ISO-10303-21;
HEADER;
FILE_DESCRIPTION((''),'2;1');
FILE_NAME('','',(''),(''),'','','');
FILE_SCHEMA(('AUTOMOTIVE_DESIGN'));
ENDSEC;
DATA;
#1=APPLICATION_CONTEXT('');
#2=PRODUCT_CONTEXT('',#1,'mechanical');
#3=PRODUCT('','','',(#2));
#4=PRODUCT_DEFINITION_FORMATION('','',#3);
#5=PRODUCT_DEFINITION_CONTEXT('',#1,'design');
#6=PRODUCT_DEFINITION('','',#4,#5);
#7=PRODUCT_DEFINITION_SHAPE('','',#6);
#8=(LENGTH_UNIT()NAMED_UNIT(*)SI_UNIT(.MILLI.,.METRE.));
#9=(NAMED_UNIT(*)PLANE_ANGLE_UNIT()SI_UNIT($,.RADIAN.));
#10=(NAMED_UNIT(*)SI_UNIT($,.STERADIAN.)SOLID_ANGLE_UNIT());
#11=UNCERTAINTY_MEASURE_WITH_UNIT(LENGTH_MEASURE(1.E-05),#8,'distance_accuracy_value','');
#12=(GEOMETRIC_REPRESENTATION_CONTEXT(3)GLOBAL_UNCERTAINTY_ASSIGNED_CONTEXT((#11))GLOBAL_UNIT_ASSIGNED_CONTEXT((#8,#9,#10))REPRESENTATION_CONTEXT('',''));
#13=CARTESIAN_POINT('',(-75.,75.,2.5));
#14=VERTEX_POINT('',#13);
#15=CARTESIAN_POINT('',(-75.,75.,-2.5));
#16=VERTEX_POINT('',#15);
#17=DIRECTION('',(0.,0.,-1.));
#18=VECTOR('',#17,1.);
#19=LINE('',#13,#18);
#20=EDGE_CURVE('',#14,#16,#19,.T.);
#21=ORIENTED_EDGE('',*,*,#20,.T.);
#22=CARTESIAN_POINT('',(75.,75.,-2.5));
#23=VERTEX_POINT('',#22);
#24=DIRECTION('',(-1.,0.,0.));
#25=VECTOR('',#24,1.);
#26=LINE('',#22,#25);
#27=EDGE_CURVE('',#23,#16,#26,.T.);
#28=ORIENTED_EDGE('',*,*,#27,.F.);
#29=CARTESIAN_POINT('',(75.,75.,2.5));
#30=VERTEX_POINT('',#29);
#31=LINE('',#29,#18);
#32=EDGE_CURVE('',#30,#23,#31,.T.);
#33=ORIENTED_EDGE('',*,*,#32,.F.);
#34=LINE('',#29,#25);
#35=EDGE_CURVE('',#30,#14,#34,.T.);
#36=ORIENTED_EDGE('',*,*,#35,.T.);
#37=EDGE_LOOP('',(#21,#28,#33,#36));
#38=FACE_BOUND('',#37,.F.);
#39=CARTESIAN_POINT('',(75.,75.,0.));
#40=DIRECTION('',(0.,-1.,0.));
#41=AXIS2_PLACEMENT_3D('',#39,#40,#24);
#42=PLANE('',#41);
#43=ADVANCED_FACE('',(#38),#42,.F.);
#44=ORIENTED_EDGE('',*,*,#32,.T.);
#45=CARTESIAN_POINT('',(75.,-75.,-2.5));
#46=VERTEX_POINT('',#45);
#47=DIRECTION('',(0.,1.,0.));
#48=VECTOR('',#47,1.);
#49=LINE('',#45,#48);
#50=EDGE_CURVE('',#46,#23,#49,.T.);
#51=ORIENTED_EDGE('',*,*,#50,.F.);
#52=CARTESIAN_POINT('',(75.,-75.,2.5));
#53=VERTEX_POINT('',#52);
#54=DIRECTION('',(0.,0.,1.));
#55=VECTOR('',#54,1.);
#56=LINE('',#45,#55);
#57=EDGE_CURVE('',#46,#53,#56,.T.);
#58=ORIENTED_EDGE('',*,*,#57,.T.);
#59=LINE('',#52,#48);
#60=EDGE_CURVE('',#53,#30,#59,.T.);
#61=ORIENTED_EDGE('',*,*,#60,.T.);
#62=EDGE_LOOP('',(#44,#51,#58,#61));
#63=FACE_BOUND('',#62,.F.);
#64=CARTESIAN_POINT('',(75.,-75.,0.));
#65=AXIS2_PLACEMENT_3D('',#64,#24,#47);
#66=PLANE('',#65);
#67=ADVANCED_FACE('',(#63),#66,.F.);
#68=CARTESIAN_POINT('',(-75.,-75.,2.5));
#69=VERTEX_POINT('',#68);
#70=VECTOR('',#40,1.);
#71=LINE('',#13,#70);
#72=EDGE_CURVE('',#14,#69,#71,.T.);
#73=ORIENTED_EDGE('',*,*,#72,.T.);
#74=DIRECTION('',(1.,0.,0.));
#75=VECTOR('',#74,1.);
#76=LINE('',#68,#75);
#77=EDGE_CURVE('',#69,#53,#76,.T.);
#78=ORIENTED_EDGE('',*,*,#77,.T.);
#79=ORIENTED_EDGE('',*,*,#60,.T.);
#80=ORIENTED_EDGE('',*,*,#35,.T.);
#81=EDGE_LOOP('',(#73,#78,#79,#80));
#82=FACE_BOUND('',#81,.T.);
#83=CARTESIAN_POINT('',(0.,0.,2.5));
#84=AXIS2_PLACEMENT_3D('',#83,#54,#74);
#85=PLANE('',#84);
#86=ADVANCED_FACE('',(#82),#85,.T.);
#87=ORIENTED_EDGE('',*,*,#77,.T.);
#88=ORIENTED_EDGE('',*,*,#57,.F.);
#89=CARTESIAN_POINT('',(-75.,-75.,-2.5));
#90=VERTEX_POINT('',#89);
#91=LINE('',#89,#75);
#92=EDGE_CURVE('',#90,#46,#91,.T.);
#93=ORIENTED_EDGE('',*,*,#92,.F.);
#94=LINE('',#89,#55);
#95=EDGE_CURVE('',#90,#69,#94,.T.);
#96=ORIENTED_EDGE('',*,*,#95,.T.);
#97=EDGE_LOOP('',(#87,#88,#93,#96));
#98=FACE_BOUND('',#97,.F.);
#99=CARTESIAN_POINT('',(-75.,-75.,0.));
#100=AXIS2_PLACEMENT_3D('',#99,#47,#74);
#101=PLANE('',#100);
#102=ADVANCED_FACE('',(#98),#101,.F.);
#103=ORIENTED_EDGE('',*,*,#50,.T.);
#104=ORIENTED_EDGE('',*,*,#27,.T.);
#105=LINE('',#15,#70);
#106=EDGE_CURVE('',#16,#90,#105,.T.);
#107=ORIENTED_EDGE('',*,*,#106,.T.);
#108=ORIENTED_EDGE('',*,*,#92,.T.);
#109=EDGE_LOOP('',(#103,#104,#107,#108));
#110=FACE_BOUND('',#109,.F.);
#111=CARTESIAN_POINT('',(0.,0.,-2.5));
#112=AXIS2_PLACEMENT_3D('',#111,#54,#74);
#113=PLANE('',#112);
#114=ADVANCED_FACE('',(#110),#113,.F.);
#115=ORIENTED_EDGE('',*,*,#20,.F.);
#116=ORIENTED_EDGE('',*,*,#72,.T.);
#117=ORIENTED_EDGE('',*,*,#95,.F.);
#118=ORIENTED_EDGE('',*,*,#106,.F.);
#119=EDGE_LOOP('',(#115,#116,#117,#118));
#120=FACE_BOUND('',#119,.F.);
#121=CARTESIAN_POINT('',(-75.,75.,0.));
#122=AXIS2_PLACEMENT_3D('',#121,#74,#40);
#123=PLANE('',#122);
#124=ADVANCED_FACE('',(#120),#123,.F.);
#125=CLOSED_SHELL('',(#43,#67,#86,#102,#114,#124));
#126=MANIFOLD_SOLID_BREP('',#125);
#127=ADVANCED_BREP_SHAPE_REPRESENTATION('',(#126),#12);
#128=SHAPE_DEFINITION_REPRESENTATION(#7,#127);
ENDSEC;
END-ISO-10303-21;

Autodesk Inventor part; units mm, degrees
ref_plane "YZ Plane" through (0, 0, 0) normal (1, 0, 0) x (0, 1, 0)
ref_plane "XZ Plane" through (0, 0, 0) normal (0, 1, 0) x (-1, 0, 0)
ref_plane "XY Plane" through (0, 0, 0) normal (0, 0, 1) x (1, 0, 0)
sketch "Boceto1" plane through (0, 0, 0) normal (0, 0, 1) x (1, 0, 0)
  line L0 (-75, -75) -> (75, -75)
  line L1 (75, -75) -> (75, 75)
  line L2 (75, 75) -> (-75, 75)
  line L3 (-75, 75) -> (-75, -75)
  line L4 (-75, -75) -> (75, 75) construction
  line L5 (75, -75) -> (-75, 75) construction
  point P0 (0, 0)
  dimension "d0" = 150
  dimension "d1" = 150
extrude "Extrusión1" add sketch "Boceto1" along normal mid plane 5
properties part number "Placa"
